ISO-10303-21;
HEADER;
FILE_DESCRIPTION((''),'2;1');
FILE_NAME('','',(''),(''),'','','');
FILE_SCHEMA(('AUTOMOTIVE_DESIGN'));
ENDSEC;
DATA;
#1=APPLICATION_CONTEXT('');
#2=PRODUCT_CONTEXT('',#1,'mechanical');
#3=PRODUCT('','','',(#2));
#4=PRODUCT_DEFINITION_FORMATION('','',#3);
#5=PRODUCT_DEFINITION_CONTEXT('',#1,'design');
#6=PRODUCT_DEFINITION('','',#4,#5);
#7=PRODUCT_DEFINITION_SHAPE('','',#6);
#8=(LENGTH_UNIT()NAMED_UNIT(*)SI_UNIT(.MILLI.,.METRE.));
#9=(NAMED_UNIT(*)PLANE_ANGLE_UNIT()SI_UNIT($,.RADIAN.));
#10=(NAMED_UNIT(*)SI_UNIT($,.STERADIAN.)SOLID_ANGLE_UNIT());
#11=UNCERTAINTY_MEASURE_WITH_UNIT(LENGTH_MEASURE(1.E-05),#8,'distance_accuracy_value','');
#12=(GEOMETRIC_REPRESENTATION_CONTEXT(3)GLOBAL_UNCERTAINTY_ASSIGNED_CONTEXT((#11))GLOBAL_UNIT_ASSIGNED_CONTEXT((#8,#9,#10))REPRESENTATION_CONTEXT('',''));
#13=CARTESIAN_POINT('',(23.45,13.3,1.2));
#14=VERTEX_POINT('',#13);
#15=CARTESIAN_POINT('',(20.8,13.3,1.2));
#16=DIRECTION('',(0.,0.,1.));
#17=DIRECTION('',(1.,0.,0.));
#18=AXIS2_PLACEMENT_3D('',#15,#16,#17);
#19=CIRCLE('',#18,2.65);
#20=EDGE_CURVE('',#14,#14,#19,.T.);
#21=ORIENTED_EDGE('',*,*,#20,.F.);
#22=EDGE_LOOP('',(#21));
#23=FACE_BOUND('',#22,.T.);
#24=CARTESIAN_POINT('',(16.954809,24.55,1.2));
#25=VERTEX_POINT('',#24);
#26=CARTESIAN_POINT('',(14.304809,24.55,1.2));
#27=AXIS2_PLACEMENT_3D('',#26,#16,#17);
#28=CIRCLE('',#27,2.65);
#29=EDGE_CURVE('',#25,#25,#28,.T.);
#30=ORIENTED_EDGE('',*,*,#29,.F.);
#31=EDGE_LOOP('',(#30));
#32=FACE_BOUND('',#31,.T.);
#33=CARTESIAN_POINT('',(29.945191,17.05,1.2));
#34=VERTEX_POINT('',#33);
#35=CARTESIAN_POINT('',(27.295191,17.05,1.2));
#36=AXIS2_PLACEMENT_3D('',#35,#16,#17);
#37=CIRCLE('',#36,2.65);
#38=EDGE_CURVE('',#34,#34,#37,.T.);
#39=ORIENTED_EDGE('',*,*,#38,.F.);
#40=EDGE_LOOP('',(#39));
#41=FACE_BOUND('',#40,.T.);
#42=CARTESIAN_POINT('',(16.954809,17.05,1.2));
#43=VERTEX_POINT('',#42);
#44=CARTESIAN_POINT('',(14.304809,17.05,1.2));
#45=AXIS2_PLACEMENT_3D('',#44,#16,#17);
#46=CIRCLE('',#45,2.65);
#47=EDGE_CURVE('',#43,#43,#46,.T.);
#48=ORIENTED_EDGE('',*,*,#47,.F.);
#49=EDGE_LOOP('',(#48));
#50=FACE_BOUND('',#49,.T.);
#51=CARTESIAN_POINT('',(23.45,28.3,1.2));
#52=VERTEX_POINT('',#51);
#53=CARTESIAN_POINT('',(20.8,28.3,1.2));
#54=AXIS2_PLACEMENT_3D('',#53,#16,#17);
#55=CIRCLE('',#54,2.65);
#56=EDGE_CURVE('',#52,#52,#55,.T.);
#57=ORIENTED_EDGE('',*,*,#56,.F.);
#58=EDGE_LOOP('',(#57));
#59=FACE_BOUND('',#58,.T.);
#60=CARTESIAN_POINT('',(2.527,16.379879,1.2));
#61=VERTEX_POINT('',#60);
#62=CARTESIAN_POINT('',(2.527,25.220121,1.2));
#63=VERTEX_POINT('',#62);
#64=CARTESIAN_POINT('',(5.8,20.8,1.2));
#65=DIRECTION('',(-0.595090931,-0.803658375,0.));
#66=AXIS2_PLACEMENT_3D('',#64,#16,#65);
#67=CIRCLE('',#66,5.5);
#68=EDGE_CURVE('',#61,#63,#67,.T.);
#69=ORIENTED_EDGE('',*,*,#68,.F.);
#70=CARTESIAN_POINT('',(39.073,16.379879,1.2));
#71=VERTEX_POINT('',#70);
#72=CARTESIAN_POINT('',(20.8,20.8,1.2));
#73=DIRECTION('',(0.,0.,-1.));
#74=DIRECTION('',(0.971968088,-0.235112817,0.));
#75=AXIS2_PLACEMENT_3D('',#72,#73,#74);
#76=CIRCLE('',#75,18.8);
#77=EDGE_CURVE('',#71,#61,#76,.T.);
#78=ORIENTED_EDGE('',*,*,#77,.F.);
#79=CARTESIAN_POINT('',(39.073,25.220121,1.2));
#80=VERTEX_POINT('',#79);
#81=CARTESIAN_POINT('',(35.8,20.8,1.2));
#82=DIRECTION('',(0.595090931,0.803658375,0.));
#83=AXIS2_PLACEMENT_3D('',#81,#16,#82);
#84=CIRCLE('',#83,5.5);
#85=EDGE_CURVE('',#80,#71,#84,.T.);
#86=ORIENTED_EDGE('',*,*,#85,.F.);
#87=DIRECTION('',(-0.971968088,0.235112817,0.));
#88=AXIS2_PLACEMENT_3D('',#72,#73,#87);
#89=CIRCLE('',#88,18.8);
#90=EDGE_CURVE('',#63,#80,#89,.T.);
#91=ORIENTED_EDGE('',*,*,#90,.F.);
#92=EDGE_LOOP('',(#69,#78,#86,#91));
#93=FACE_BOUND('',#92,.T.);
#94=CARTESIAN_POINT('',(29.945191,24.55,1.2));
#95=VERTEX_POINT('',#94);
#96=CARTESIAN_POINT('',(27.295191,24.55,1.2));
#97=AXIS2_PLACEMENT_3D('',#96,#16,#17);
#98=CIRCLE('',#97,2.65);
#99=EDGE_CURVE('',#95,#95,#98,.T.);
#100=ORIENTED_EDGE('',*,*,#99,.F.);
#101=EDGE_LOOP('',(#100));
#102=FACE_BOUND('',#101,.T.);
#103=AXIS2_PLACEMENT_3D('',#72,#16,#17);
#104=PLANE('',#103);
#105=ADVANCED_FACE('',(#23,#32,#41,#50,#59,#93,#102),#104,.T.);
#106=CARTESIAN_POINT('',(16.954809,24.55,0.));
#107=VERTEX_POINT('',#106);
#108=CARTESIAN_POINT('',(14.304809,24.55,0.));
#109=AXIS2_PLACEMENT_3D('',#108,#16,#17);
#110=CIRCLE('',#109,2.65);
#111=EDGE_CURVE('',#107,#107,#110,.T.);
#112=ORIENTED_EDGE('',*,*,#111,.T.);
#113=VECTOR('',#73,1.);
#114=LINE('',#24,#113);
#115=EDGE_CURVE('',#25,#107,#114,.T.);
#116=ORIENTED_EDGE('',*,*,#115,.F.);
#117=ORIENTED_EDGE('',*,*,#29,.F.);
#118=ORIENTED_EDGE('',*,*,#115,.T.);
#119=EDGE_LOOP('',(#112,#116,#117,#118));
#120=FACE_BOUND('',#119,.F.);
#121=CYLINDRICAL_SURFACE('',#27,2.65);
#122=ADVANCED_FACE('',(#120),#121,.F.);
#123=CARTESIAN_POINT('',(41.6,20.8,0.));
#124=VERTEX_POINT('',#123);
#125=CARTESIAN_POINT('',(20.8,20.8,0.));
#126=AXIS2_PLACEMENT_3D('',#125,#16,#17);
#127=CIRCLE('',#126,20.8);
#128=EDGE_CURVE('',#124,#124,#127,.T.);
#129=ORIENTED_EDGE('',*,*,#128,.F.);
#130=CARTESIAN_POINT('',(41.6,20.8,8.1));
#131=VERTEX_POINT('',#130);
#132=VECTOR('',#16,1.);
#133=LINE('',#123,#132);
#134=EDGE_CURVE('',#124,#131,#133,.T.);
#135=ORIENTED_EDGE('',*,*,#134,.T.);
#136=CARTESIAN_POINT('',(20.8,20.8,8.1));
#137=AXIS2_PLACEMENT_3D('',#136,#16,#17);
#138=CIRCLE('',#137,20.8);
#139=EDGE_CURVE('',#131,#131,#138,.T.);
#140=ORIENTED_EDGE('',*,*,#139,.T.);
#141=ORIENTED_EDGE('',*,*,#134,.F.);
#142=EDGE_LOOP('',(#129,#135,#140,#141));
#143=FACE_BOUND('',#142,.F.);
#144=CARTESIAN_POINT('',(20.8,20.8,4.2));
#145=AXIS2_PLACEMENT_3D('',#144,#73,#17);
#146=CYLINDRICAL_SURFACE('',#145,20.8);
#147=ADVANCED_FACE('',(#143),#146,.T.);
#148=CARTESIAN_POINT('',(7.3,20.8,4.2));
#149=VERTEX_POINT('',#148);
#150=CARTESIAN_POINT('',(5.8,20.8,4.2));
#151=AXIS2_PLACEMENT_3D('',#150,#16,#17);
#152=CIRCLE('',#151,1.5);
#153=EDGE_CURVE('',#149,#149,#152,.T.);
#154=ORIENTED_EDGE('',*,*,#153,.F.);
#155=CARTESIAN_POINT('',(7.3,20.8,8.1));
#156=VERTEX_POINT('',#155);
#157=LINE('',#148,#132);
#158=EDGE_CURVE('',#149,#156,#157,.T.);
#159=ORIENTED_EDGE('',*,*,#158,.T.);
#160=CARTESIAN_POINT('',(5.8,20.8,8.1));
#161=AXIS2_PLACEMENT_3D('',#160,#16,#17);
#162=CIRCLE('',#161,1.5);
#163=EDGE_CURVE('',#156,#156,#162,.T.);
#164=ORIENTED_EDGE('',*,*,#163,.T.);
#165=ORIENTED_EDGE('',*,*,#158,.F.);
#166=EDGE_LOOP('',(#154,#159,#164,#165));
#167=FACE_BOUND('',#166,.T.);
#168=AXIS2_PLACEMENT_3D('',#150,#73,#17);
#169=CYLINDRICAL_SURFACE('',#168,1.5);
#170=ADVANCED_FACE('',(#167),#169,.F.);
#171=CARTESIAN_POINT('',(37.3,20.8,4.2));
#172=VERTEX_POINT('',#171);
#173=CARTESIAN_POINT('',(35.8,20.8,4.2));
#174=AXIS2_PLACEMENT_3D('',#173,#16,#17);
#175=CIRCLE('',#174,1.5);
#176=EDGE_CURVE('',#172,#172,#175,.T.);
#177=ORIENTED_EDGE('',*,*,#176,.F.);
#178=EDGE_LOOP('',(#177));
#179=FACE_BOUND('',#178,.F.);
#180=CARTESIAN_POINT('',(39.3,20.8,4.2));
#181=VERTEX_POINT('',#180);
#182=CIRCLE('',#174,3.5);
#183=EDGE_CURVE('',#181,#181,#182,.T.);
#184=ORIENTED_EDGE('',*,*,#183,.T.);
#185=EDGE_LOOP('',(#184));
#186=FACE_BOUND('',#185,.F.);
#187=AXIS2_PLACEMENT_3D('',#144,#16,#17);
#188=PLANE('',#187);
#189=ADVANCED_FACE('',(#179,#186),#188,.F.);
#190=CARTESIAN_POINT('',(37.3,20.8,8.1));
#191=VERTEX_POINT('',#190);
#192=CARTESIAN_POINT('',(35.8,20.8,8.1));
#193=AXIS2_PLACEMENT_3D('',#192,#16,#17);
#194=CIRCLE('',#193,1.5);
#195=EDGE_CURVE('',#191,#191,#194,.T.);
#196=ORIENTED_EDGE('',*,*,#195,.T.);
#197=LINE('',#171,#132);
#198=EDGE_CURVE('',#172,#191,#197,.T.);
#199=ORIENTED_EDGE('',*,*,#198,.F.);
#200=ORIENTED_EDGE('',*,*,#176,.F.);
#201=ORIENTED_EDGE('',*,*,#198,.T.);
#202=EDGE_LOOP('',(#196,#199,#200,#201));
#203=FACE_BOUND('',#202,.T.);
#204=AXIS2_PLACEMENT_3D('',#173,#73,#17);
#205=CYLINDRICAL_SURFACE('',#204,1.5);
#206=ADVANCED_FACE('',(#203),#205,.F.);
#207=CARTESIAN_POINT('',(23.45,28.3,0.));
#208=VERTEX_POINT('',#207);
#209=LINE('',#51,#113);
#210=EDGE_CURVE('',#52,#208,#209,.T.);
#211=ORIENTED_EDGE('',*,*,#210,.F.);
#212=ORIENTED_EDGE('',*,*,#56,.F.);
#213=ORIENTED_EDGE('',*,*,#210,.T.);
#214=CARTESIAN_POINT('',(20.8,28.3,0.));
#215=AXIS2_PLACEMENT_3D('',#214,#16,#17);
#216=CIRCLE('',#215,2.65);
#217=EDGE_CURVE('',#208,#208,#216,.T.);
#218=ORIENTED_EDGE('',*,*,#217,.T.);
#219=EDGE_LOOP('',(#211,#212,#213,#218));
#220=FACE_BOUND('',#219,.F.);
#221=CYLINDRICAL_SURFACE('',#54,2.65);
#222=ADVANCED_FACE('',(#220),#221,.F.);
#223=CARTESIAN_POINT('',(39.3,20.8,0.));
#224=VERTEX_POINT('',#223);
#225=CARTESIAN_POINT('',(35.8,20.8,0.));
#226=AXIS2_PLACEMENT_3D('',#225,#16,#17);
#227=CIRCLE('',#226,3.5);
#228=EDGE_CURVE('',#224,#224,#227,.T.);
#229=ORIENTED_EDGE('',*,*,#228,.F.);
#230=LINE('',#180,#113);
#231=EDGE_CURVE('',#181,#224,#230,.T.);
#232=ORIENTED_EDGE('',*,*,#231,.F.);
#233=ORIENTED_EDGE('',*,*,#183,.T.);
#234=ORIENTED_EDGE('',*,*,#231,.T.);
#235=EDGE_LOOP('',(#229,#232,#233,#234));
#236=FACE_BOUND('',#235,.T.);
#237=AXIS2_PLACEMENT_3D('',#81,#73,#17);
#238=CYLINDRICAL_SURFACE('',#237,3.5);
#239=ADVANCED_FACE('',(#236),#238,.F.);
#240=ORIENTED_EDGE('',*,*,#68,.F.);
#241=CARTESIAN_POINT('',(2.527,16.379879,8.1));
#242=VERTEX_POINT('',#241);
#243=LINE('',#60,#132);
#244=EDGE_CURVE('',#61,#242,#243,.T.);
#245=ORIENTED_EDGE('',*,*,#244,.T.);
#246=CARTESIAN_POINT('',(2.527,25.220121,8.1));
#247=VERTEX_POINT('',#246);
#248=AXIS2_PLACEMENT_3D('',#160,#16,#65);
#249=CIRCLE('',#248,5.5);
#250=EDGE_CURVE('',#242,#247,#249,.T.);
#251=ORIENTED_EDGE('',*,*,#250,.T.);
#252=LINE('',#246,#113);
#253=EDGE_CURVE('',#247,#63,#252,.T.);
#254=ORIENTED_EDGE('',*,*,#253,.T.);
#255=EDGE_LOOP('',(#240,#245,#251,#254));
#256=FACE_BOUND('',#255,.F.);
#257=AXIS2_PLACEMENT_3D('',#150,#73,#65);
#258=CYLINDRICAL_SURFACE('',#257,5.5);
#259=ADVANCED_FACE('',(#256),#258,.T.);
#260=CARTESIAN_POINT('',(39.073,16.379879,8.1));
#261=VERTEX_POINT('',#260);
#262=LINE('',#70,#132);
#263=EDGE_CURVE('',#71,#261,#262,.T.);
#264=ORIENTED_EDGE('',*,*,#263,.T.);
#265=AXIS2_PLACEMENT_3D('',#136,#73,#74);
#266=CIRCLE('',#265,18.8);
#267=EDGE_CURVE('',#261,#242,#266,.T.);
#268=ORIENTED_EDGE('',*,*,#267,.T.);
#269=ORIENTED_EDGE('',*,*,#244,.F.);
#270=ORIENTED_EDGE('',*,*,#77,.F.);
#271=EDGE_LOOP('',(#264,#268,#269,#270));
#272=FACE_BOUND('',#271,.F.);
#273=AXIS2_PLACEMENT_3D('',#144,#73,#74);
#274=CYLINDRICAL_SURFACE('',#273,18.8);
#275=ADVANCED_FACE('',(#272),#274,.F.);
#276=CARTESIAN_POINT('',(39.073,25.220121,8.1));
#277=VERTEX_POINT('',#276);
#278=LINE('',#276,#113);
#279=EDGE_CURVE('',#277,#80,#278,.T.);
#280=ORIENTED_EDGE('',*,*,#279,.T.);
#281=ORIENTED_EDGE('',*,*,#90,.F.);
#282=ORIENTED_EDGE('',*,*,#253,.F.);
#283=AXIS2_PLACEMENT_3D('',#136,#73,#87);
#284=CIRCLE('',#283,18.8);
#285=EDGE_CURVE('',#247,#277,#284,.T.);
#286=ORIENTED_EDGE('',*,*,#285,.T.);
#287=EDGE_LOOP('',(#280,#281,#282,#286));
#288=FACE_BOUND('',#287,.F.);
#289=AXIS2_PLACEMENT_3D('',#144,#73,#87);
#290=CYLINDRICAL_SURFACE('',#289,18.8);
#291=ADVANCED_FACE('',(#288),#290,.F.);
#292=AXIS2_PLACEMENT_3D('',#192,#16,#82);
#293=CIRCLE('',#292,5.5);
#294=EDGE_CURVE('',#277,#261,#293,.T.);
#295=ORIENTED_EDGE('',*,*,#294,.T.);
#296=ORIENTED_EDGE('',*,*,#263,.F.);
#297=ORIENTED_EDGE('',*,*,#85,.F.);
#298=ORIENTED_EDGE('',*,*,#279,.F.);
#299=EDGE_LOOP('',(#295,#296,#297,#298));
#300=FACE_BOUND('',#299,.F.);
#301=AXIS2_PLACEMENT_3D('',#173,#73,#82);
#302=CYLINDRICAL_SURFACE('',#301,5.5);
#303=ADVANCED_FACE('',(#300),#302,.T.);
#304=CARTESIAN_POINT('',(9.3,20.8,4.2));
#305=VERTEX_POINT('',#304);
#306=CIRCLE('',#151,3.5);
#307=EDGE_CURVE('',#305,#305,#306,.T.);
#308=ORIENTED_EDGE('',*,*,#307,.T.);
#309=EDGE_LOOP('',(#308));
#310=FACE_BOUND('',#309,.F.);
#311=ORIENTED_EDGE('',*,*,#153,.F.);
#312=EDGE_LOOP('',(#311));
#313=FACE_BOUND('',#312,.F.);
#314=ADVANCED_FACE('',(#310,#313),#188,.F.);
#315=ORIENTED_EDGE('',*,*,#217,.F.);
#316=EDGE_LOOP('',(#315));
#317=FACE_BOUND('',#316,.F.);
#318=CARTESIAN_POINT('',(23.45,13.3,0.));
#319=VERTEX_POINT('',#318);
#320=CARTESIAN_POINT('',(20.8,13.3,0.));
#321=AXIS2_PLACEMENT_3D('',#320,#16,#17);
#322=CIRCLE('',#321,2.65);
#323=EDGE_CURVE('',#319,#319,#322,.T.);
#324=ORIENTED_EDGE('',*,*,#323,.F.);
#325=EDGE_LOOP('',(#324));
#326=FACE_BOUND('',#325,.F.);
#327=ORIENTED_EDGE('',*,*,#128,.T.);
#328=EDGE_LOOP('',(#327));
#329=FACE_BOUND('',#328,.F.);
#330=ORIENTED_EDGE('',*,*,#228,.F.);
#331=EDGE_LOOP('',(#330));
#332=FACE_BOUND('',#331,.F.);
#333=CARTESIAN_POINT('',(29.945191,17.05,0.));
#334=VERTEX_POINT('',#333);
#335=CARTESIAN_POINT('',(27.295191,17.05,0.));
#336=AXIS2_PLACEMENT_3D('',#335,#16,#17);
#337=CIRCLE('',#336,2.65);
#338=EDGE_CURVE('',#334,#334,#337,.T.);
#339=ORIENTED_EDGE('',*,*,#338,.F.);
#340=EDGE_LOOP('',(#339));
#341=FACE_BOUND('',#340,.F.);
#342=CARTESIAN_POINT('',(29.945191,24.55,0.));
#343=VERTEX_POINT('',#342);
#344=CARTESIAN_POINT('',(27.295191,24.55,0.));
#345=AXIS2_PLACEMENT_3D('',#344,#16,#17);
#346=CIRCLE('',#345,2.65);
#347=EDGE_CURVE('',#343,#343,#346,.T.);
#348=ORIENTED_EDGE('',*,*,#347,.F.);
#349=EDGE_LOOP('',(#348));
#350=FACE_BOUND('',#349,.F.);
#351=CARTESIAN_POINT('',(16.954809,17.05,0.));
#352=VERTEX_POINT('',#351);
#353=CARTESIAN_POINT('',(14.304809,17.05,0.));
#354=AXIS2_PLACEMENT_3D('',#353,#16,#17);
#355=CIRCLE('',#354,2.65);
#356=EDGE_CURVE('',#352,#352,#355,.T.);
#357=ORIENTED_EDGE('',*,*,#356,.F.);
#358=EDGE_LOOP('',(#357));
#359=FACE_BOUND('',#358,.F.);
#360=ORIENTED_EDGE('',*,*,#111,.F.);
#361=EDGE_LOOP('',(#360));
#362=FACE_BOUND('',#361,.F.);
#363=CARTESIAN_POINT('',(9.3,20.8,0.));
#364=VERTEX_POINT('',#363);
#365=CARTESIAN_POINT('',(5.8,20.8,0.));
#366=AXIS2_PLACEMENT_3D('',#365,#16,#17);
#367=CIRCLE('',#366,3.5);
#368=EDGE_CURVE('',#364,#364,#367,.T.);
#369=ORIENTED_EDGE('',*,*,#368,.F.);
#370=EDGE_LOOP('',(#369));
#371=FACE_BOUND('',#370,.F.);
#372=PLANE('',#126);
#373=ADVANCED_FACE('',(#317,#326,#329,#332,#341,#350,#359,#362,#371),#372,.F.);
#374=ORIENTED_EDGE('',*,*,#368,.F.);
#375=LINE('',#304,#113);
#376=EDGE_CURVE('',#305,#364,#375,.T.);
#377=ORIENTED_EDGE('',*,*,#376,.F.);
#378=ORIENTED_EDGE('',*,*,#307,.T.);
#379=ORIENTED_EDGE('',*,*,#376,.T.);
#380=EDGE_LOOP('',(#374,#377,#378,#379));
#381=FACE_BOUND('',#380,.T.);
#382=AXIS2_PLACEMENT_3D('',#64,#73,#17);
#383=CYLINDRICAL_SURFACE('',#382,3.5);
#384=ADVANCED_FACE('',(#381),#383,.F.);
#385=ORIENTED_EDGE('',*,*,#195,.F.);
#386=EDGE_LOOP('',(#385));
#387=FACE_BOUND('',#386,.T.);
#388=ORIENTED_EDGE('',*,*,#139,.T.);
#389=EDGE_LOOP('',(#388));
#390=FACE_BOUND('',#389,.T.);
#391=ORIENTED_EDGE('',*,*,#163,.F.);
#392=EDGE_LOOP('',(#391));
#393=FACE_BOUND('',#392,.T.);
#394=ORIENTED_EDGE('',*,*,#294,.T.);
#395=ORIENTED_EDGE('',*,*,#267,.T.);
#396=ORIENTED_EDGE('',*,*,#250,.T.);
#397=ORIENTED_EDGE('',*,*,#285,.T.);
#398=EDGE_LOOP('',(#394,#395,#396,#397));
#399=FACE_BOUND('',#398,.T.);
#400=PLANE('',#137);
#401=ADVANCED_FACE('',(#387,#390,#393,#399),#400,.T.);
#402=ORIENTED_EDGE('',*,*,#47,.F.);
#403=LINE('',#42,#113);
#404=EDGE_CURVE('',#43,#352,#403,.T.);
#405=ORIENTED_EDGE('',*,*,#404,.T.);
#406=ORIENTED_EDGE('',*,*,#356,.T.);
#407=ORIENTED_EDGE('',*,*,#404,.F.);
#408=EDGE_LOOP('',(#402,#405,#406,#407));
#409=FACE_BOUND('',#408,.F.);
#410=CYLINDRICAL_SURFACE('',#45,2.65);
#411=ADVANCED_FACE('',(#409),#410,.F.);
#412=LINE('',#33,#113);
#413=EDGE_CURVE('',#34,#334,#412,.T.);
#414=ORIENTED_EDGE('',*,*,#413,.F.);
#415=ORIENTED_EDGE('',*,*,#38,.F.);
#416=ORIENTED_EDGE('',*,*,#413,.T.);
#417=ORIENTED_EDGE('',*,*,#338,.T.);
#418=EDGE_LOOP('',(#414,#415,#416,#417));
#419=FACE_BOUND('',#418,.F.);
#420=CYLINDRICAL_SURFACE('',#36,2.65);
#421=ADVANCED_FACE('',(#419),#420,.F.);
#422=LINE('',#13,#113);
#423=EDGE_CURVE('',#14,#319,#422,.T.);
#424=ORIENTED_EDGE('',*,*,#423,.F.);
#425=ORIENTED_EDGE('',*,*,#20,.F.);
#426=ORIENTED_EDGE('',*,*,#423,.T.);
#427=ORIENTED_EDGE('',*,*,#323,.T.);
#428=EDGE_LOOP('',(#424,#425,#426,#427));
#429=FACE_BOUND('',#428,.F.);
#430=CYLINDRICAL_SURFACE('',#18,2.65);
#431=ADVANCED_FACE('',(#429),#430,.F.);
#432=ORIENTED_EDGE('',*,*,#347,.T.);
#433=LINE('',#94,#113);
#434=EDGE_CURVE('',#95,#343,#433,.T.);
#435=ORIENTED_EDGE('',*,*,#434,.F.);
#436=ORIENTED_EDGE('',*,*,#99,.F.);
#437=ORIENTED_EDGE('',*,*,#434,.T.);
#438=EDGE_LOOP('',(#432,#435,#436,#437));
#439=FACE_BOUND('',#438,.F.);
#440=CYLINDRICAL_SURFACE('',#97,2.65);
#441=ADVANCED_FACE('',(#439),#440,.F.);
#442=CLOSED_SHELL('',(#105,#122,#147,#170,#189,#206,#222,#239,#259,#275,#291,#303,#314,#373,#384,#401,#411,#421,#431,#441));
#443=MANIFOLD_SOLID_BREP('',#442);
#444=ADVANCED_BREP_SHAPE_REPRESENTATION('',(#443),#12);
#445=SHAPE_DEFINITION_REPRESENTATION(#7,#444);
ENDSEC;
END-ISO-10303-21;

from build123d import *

# Parameters (mm, degrees)
F0_R     = 20.8
F0_R_2   = 3.5
F1_DEPTH = 1.2
F2_R     = 20.8
F2_R_2   = 3.5
F3_DEPTH = 3
F4_R     = 20.8
F4_R_2   = 1.5
F5_DEPTH = 3.9
F6_R     = 2.65
F7_DEPTH = 1.2


with BuildPart() as f1:
    # F0 (on Top) → F1 (new body)
    with BuildSketch(Plane.XY):
        with Locations((20.8, 20.8)):
            Circle(F0_R)
        with Locations((5.8, 20.8)):
            Circle(F0_R_2, mode=Mode.SUBTRACT)
        with Locations((35.8, 20.8)):
            Circle(F0_R_2, mode=Mode.SUBTRACT)
    extrude(amount=F1_DEPTH)

    # F2 (on face) → F3 (join)
    with BuildSketch(Plane.XY.offset(1.2)):
        with Locations((20.8, 20.8)):
            Circle(F2_R)
        with BuildLine():
            ThreePointArc((39.073, 16.379879), (20.8, 2), (2.527, 16.379879))
            ThreePointArc((2.527, 16.379879), (11.3, 20.8), (2.527, 25.220121))
            ThreePointArc((2.527, 25.220121), (20.8, 39.6), (39.073, 25.220121))
            ThreePointArc((39.073, 25.220121), (30.3, 20.8), (39.073, 16.379879))
        make_face(mode=Mode.SUBTRACT)
        with Locations((5.8, 20.8)):
            Circle(F2_R_2, mode=Mode.SUBTRACT)
        with Locations((35.8, 20.8)):
            Circle(F2_R_2, mode=Mode.SUBTRACT)
    extrude(amount=F3_DEPTH)

    # F4 (on face) → F5 (join)
    with BuildSketch(Plane.XY.offset(4.2)):
        with Locations((20.8, 20.8)):
            Circle(F4_R)
        with BuildLine():
            ThreePointArc((39.073, 16.379879), (20.8, 2), (2.527, 16.379879))
            ThreePointArc((2.527, 16.379879), (11.3, 20.8), (2.527, 25.220121))
            ThreePointArc((2.527, 25.220121), (20.8, 39.6), (39.073, 25.220121))
            ThreePointArc((39.073, 25.220121), (30.3, 20.8), (39.073, 16.379879))
        make_face(mode=Mode.SUBTRACT)
        with Locations((5.8, 20.8)):
            Circle(F4_R_2, mode=Mode.SUBTRACT)
        with Locations((35.8, 20.8)):
            Circle(F4_R_2, mode=Mode.SUBTRACT)
    extrude(amount=F5_DEPTH)

    # F6 (on face) → F7 (cut, through all)
    with BuildSketch(Plane.XY.offset(1.2)):
        with Locations((14.304809, 24.55)):
            Circle(F6_R)
        with Locations((20.8, 28.3)):
            Circle(F6_R)
        with Locations((27.295191, 24.55)):
            Circle(F6_R)
        with Locations((27.295191, 17.05)):
            Circle(F6_R)
        with Locations((20.8, 13.3)):
            Circle(F6_R)
        with Locations((14.304809, 17.05)):
            Circle(F6_R)
    extrude(amount=-F7_DEPTH, mode=Mode.SUBTRACT)


solid = f1.part
